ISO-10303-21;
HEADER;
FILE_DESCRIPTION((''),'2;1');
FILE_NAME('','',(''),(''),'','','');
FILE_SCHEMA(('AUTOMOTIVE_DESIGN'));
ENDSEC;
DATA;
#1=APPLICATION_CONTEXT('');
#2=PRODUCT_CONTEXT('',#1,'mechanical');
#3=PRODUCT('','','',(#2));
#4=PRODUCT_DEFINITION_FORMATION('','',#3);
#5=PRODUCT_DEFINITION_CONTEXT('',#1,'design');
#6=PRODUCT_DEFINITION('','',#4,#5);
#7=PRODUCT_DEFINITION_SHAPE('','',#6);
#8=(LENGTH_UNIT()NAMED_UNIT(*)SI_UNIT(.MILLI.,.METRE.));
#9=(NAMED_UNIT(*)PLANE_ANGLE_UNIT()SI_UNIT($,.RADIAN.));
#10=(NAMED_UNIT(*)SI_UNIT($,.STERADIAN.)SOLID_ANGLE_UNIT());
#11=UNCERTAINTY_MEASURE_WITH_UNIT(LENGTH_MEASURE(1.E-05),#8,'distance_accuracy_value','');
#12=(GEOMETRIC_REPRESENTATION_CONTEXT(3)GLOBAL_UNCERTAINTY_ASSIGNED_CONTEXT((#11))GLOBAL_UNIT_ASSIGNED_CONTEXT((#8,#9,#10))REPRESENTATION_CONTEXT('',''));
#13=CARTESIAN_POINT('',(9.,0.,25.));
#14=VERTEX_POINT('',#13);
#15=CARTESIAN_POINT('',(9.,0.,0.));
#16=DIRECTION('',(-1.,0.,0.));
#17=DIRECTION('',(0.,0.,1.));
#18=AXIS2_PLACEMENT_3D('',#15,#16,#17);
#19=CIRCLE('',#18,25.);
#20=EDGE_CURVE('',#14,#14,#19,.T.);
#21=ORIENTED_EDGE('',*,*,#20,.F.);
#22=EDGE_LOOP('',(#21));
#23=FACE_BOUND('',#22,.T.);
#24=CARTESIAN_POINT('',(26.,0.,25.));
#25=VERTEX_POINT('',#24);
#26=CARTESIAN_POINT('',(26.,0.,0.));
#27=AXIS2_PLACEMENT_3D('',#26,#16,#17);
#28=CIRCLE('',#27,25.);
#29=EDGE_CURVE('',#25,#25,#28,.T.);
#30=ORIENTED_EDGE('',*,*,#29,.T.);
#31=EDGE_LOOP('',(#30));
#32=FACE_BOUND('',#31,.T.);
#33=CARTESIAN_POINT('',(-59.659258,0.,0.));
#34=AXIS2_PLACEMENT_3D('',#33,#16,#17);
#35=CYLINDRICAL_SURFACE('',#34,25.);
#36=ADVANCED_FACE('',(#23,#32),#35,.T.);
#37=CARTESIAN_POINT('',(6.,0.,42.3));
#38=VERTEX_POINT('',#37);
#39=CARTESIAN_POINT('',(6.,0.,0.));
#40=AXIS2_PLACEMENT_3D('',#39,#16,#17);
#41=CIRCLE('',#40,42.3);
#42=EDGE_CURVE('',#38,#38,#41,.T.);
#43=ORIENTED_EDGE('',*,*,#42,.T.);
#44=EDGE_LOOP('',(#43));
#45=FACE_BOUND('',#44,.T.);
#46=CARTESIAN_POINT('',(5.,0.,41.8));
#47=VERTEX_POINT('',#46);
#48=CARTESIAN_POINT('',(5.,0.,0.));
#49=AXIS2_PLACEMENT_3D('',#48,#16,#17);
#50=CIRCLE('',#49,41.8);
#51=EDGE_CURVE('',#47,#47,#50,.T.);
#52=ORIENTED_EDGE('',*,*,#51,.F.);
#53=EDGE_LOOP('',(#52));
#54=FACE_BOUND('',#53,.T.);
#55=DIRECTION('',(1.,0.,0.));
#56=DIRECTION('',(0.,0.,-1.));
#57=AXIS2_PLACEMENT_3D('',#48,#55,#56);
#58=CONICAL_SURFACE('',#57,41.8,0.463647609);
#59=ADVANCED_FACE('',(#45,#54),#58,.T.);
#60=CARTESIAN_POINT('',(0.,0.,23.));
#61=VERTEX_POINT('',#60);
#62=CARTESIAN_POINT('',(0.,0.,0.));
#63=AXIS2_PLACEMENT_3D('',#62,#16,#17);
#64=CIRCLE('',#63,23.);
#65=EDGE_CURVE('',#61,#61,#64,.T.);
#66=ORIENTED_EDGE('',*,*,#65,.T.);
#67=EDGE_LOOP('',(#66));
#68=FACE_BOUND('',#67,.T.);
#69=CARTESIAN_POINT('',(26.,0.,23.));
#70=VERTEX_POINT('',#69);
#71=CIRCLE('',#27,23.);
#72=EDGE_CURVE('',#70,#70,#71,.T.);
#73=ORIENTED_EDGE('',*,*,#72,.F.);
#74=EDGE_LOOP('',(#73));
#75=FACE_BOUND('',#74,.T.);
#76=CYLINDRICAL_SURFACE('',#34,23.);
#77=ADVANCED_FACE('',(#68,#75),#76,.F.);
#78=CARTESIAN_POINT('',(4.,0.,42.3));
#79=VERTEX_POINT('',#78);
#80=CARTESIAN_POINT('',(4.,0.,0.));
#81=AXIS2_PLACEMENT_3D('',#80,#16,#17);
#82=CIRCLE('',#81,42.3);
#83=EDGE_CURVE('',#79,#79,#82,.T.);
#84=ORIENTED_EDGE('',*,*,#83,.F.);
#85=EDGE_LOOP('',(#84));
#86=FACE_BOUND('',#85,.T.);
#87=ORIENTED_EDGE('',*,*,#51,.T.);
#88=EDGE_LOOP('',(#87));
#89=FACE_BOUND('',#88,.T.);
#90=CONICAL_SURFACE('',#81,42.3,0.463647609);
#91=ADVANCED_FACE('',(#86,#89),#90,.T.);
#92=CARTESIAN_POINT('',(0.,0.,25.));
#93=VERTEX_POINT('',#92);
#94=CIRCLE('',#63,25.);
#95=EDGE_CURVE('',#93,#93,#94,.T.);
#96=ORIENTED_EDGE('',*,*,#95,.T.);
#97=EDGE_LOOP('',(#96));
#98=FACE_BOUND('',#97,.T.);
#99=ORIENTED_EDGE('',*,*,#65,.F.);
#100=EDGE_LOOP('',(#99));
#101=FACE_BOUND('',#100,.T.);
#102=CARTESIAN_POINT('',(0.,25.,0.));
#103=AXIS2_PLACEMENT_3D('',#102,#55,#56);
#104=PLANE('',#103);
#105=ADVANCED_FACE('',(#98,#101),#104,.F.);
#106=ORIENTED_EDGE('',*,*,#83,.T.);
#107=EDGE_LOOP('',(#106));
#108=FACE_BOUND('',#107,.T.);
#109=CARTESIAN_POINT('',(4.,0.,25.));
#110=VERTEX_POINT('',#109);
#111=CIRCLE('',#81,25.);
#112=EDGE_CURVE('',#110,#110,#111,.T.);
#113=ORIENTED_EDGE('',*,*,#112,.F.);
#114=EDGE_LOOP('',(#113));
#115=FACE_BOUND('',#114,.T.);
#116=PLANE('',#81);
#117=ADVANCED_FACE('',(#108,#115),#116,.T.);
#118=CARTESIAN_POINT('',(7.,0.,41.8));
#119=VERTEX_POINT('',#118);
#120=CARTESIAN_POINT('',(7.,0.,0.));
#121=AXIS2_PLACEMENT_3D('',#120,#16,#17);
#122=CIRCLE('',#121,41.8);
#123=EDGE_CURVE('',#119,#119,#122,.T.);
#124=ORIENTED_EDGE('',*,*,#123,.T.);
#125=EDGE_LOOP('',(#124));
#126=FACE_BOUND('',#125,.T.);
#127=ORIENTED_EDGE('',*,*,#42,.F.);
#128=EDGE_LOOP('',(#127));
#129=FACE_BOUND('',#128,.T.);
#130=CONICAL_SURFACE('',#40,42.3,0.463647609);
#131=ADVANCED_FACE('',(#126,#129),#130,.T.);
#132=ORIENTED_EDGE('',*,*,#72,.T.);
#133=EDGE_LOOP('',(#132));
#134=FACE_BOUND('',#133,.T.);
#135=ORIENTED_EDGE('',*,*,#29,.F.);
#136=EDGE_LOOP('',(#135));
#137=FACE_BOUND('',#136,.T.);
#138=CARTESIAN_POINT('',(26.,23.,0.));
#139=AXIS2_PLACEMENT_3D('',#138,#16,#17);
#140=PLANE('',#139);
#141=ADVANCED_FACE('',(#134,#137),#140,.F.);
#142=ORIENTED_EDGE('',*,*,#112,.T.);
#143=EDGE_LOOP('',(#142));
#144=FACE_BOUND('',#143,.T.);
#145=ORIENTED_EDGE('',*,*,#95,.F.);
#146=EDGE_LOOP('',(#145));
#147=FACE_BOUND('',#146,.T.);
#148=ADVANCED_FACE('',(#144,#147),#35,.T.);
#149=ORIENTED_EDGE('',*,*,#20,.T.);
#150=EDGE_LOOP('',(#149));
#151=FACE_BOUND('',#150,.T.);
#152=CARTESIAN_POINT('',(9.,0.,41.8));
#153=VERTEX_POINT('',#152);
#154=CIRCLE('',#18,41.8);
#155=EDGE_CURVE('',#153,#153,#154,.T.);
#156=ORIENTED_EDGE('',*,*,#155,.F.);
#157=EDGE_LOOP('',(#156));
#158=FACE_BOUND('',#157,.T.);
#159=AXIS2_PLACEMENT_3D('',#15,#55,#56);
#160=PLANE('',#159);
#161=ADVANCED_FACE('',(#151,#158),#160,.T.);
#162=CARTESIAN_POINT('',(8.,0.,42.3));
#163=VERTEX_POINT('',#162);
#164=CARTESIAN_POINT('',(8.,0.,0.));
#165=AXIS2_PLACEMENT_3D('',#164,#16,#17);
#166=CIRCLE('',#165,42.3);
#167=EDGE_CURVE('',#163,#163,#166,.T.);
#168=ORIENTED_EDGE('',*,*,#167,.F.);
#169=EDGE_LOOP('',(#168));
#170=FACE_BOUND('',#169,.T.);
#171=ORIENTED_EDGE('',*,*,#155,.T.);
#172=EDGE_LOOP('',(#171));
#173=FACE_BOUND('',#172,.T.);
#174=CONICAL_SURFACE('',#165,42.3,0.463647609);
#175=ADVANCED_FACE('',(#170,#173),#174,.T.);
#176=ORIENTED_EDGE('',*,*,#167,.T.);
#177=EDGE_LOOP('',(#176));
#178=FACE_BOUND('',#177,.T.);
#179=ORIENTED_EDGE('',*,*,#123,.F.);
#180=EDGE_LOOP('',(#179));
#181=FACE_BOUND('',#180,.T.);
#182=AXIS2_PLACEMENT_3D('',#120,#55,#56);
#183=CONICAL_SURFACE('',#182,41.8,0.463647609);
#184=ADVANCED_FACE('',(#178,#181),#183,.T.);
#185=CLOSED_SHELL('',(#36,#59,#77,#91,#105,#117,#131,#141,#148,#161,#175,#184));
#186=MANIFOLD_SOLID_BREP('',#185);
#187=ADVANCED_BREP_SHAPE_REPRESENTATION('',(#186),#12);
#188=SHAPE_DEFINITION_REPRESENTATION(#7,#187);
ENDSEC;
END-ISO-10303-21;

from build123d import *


with BuildPart() as part:
    # 草图1 → 旋转1 (revolve)
    with BuildSketch(Plane.XY, mode=Mode.PRIVATE) as revolve_1_sk:
        Polygon((0, 25), (0, 23), (26, 23), (26, 25), (9, 25), (9, 41.8), (8, 42.3), (7, 41.8), (6, 42.3), (5, 41.8), (4, 42.3), (4, 25), align=None)
    revolve(revolve_1_sk.sketch.rotate(Axis((-59.659258107, 0, 0), (1, 0, 0)), 90), axis=Axis((-59.659258107, 0, 0), (1, 0, 0)))


solid = part.part
